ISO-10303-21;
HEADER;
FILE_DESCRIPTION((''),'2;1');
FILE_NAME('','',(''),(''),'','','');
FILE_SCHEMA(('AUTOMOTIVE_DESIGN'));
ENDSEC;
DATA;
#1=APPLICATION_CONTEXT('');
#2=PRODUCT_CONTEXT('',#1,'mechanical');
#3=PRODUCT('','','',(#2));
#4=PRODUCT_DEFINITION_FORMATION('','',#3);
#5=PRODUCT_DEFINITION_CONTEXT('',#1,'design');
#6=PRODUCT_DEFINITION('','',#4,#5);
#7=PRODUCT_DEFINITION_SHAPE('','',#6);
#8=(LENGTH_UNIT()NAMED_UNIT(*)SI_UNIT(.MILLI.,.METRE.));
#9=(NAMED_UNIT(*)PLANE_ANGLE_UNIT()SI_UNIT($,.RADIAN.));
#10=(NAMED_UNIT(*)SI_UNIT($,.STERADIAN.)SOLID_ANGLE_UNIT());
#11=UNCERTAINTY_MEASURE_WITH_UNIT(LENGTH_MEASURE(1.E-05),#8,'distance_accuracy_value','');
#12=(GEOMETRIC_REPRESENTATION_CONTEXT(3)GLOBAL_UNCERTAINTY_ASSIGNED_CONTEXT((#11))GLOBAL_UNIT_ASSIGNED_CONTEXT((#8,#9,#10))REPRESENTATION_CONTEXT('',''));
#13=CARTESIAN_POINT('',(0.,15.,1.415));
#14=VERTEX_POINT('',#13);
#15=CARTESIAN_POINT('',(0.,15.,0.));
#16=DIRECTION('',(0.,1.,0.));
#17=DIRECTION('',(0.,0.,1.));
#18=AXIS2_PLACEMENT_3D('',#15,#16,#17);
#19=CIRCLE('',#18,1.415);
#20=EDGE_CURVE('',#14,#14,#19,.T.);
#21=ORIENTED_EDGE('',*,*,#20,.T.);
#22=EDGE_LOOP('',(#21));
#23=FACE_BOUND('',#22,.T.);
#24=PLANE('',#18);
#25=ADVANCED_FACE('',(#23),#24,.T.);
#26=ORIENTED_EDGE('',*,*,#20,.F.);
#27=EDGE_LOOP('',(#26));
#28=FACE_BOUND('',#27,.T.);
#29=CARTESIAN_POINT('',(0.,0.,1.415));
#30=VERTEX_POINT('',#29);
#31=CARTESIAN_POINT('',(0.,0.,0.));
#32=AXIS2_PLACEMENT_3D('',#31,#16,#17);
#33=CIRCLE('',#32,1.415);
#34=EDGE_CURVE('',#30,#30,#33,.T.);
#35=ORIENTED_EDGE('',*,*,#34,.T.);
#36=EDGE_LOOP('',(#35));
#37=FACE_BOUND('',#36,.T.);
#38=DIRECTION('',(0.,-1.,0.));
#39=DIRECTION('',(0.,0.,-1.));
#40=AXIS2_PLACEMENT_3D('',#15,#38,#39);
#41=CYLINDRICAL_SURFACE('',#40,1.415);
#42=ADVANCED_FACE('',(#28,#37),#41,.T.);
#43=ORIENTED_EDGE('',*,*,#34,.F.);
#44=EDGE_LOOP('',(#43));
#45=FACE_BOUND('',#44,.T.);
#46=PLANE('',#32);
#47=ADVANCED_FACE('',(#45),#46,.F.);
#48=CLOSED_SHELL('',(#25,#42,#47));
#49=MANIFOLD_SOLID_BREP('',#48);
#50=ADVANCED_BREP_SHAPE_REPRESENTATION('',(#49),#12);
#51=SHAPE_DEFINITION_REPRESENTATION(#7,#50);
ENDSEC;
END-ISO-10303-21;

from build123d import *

# Parameters (mm, degrees)
SKETCH_1_R      = 1.415
EXTRUDE_2_DEPTH = 15


with BuildPart() as part:
    # 草图1 → 凸台-拉伸2 (new body)
    with BuildSketch(Plane(origin=(0, 0, 0), x_dir=(1, 0, 0), z_dir=(0, 1, 0))):
        with Locations(Location((0, 0, 0), (0, 0, 270))):
            Circle(SKETCH_1_R)
    extrude(amount=EXTRUDE_2_DEPTH)


solid = part.part
